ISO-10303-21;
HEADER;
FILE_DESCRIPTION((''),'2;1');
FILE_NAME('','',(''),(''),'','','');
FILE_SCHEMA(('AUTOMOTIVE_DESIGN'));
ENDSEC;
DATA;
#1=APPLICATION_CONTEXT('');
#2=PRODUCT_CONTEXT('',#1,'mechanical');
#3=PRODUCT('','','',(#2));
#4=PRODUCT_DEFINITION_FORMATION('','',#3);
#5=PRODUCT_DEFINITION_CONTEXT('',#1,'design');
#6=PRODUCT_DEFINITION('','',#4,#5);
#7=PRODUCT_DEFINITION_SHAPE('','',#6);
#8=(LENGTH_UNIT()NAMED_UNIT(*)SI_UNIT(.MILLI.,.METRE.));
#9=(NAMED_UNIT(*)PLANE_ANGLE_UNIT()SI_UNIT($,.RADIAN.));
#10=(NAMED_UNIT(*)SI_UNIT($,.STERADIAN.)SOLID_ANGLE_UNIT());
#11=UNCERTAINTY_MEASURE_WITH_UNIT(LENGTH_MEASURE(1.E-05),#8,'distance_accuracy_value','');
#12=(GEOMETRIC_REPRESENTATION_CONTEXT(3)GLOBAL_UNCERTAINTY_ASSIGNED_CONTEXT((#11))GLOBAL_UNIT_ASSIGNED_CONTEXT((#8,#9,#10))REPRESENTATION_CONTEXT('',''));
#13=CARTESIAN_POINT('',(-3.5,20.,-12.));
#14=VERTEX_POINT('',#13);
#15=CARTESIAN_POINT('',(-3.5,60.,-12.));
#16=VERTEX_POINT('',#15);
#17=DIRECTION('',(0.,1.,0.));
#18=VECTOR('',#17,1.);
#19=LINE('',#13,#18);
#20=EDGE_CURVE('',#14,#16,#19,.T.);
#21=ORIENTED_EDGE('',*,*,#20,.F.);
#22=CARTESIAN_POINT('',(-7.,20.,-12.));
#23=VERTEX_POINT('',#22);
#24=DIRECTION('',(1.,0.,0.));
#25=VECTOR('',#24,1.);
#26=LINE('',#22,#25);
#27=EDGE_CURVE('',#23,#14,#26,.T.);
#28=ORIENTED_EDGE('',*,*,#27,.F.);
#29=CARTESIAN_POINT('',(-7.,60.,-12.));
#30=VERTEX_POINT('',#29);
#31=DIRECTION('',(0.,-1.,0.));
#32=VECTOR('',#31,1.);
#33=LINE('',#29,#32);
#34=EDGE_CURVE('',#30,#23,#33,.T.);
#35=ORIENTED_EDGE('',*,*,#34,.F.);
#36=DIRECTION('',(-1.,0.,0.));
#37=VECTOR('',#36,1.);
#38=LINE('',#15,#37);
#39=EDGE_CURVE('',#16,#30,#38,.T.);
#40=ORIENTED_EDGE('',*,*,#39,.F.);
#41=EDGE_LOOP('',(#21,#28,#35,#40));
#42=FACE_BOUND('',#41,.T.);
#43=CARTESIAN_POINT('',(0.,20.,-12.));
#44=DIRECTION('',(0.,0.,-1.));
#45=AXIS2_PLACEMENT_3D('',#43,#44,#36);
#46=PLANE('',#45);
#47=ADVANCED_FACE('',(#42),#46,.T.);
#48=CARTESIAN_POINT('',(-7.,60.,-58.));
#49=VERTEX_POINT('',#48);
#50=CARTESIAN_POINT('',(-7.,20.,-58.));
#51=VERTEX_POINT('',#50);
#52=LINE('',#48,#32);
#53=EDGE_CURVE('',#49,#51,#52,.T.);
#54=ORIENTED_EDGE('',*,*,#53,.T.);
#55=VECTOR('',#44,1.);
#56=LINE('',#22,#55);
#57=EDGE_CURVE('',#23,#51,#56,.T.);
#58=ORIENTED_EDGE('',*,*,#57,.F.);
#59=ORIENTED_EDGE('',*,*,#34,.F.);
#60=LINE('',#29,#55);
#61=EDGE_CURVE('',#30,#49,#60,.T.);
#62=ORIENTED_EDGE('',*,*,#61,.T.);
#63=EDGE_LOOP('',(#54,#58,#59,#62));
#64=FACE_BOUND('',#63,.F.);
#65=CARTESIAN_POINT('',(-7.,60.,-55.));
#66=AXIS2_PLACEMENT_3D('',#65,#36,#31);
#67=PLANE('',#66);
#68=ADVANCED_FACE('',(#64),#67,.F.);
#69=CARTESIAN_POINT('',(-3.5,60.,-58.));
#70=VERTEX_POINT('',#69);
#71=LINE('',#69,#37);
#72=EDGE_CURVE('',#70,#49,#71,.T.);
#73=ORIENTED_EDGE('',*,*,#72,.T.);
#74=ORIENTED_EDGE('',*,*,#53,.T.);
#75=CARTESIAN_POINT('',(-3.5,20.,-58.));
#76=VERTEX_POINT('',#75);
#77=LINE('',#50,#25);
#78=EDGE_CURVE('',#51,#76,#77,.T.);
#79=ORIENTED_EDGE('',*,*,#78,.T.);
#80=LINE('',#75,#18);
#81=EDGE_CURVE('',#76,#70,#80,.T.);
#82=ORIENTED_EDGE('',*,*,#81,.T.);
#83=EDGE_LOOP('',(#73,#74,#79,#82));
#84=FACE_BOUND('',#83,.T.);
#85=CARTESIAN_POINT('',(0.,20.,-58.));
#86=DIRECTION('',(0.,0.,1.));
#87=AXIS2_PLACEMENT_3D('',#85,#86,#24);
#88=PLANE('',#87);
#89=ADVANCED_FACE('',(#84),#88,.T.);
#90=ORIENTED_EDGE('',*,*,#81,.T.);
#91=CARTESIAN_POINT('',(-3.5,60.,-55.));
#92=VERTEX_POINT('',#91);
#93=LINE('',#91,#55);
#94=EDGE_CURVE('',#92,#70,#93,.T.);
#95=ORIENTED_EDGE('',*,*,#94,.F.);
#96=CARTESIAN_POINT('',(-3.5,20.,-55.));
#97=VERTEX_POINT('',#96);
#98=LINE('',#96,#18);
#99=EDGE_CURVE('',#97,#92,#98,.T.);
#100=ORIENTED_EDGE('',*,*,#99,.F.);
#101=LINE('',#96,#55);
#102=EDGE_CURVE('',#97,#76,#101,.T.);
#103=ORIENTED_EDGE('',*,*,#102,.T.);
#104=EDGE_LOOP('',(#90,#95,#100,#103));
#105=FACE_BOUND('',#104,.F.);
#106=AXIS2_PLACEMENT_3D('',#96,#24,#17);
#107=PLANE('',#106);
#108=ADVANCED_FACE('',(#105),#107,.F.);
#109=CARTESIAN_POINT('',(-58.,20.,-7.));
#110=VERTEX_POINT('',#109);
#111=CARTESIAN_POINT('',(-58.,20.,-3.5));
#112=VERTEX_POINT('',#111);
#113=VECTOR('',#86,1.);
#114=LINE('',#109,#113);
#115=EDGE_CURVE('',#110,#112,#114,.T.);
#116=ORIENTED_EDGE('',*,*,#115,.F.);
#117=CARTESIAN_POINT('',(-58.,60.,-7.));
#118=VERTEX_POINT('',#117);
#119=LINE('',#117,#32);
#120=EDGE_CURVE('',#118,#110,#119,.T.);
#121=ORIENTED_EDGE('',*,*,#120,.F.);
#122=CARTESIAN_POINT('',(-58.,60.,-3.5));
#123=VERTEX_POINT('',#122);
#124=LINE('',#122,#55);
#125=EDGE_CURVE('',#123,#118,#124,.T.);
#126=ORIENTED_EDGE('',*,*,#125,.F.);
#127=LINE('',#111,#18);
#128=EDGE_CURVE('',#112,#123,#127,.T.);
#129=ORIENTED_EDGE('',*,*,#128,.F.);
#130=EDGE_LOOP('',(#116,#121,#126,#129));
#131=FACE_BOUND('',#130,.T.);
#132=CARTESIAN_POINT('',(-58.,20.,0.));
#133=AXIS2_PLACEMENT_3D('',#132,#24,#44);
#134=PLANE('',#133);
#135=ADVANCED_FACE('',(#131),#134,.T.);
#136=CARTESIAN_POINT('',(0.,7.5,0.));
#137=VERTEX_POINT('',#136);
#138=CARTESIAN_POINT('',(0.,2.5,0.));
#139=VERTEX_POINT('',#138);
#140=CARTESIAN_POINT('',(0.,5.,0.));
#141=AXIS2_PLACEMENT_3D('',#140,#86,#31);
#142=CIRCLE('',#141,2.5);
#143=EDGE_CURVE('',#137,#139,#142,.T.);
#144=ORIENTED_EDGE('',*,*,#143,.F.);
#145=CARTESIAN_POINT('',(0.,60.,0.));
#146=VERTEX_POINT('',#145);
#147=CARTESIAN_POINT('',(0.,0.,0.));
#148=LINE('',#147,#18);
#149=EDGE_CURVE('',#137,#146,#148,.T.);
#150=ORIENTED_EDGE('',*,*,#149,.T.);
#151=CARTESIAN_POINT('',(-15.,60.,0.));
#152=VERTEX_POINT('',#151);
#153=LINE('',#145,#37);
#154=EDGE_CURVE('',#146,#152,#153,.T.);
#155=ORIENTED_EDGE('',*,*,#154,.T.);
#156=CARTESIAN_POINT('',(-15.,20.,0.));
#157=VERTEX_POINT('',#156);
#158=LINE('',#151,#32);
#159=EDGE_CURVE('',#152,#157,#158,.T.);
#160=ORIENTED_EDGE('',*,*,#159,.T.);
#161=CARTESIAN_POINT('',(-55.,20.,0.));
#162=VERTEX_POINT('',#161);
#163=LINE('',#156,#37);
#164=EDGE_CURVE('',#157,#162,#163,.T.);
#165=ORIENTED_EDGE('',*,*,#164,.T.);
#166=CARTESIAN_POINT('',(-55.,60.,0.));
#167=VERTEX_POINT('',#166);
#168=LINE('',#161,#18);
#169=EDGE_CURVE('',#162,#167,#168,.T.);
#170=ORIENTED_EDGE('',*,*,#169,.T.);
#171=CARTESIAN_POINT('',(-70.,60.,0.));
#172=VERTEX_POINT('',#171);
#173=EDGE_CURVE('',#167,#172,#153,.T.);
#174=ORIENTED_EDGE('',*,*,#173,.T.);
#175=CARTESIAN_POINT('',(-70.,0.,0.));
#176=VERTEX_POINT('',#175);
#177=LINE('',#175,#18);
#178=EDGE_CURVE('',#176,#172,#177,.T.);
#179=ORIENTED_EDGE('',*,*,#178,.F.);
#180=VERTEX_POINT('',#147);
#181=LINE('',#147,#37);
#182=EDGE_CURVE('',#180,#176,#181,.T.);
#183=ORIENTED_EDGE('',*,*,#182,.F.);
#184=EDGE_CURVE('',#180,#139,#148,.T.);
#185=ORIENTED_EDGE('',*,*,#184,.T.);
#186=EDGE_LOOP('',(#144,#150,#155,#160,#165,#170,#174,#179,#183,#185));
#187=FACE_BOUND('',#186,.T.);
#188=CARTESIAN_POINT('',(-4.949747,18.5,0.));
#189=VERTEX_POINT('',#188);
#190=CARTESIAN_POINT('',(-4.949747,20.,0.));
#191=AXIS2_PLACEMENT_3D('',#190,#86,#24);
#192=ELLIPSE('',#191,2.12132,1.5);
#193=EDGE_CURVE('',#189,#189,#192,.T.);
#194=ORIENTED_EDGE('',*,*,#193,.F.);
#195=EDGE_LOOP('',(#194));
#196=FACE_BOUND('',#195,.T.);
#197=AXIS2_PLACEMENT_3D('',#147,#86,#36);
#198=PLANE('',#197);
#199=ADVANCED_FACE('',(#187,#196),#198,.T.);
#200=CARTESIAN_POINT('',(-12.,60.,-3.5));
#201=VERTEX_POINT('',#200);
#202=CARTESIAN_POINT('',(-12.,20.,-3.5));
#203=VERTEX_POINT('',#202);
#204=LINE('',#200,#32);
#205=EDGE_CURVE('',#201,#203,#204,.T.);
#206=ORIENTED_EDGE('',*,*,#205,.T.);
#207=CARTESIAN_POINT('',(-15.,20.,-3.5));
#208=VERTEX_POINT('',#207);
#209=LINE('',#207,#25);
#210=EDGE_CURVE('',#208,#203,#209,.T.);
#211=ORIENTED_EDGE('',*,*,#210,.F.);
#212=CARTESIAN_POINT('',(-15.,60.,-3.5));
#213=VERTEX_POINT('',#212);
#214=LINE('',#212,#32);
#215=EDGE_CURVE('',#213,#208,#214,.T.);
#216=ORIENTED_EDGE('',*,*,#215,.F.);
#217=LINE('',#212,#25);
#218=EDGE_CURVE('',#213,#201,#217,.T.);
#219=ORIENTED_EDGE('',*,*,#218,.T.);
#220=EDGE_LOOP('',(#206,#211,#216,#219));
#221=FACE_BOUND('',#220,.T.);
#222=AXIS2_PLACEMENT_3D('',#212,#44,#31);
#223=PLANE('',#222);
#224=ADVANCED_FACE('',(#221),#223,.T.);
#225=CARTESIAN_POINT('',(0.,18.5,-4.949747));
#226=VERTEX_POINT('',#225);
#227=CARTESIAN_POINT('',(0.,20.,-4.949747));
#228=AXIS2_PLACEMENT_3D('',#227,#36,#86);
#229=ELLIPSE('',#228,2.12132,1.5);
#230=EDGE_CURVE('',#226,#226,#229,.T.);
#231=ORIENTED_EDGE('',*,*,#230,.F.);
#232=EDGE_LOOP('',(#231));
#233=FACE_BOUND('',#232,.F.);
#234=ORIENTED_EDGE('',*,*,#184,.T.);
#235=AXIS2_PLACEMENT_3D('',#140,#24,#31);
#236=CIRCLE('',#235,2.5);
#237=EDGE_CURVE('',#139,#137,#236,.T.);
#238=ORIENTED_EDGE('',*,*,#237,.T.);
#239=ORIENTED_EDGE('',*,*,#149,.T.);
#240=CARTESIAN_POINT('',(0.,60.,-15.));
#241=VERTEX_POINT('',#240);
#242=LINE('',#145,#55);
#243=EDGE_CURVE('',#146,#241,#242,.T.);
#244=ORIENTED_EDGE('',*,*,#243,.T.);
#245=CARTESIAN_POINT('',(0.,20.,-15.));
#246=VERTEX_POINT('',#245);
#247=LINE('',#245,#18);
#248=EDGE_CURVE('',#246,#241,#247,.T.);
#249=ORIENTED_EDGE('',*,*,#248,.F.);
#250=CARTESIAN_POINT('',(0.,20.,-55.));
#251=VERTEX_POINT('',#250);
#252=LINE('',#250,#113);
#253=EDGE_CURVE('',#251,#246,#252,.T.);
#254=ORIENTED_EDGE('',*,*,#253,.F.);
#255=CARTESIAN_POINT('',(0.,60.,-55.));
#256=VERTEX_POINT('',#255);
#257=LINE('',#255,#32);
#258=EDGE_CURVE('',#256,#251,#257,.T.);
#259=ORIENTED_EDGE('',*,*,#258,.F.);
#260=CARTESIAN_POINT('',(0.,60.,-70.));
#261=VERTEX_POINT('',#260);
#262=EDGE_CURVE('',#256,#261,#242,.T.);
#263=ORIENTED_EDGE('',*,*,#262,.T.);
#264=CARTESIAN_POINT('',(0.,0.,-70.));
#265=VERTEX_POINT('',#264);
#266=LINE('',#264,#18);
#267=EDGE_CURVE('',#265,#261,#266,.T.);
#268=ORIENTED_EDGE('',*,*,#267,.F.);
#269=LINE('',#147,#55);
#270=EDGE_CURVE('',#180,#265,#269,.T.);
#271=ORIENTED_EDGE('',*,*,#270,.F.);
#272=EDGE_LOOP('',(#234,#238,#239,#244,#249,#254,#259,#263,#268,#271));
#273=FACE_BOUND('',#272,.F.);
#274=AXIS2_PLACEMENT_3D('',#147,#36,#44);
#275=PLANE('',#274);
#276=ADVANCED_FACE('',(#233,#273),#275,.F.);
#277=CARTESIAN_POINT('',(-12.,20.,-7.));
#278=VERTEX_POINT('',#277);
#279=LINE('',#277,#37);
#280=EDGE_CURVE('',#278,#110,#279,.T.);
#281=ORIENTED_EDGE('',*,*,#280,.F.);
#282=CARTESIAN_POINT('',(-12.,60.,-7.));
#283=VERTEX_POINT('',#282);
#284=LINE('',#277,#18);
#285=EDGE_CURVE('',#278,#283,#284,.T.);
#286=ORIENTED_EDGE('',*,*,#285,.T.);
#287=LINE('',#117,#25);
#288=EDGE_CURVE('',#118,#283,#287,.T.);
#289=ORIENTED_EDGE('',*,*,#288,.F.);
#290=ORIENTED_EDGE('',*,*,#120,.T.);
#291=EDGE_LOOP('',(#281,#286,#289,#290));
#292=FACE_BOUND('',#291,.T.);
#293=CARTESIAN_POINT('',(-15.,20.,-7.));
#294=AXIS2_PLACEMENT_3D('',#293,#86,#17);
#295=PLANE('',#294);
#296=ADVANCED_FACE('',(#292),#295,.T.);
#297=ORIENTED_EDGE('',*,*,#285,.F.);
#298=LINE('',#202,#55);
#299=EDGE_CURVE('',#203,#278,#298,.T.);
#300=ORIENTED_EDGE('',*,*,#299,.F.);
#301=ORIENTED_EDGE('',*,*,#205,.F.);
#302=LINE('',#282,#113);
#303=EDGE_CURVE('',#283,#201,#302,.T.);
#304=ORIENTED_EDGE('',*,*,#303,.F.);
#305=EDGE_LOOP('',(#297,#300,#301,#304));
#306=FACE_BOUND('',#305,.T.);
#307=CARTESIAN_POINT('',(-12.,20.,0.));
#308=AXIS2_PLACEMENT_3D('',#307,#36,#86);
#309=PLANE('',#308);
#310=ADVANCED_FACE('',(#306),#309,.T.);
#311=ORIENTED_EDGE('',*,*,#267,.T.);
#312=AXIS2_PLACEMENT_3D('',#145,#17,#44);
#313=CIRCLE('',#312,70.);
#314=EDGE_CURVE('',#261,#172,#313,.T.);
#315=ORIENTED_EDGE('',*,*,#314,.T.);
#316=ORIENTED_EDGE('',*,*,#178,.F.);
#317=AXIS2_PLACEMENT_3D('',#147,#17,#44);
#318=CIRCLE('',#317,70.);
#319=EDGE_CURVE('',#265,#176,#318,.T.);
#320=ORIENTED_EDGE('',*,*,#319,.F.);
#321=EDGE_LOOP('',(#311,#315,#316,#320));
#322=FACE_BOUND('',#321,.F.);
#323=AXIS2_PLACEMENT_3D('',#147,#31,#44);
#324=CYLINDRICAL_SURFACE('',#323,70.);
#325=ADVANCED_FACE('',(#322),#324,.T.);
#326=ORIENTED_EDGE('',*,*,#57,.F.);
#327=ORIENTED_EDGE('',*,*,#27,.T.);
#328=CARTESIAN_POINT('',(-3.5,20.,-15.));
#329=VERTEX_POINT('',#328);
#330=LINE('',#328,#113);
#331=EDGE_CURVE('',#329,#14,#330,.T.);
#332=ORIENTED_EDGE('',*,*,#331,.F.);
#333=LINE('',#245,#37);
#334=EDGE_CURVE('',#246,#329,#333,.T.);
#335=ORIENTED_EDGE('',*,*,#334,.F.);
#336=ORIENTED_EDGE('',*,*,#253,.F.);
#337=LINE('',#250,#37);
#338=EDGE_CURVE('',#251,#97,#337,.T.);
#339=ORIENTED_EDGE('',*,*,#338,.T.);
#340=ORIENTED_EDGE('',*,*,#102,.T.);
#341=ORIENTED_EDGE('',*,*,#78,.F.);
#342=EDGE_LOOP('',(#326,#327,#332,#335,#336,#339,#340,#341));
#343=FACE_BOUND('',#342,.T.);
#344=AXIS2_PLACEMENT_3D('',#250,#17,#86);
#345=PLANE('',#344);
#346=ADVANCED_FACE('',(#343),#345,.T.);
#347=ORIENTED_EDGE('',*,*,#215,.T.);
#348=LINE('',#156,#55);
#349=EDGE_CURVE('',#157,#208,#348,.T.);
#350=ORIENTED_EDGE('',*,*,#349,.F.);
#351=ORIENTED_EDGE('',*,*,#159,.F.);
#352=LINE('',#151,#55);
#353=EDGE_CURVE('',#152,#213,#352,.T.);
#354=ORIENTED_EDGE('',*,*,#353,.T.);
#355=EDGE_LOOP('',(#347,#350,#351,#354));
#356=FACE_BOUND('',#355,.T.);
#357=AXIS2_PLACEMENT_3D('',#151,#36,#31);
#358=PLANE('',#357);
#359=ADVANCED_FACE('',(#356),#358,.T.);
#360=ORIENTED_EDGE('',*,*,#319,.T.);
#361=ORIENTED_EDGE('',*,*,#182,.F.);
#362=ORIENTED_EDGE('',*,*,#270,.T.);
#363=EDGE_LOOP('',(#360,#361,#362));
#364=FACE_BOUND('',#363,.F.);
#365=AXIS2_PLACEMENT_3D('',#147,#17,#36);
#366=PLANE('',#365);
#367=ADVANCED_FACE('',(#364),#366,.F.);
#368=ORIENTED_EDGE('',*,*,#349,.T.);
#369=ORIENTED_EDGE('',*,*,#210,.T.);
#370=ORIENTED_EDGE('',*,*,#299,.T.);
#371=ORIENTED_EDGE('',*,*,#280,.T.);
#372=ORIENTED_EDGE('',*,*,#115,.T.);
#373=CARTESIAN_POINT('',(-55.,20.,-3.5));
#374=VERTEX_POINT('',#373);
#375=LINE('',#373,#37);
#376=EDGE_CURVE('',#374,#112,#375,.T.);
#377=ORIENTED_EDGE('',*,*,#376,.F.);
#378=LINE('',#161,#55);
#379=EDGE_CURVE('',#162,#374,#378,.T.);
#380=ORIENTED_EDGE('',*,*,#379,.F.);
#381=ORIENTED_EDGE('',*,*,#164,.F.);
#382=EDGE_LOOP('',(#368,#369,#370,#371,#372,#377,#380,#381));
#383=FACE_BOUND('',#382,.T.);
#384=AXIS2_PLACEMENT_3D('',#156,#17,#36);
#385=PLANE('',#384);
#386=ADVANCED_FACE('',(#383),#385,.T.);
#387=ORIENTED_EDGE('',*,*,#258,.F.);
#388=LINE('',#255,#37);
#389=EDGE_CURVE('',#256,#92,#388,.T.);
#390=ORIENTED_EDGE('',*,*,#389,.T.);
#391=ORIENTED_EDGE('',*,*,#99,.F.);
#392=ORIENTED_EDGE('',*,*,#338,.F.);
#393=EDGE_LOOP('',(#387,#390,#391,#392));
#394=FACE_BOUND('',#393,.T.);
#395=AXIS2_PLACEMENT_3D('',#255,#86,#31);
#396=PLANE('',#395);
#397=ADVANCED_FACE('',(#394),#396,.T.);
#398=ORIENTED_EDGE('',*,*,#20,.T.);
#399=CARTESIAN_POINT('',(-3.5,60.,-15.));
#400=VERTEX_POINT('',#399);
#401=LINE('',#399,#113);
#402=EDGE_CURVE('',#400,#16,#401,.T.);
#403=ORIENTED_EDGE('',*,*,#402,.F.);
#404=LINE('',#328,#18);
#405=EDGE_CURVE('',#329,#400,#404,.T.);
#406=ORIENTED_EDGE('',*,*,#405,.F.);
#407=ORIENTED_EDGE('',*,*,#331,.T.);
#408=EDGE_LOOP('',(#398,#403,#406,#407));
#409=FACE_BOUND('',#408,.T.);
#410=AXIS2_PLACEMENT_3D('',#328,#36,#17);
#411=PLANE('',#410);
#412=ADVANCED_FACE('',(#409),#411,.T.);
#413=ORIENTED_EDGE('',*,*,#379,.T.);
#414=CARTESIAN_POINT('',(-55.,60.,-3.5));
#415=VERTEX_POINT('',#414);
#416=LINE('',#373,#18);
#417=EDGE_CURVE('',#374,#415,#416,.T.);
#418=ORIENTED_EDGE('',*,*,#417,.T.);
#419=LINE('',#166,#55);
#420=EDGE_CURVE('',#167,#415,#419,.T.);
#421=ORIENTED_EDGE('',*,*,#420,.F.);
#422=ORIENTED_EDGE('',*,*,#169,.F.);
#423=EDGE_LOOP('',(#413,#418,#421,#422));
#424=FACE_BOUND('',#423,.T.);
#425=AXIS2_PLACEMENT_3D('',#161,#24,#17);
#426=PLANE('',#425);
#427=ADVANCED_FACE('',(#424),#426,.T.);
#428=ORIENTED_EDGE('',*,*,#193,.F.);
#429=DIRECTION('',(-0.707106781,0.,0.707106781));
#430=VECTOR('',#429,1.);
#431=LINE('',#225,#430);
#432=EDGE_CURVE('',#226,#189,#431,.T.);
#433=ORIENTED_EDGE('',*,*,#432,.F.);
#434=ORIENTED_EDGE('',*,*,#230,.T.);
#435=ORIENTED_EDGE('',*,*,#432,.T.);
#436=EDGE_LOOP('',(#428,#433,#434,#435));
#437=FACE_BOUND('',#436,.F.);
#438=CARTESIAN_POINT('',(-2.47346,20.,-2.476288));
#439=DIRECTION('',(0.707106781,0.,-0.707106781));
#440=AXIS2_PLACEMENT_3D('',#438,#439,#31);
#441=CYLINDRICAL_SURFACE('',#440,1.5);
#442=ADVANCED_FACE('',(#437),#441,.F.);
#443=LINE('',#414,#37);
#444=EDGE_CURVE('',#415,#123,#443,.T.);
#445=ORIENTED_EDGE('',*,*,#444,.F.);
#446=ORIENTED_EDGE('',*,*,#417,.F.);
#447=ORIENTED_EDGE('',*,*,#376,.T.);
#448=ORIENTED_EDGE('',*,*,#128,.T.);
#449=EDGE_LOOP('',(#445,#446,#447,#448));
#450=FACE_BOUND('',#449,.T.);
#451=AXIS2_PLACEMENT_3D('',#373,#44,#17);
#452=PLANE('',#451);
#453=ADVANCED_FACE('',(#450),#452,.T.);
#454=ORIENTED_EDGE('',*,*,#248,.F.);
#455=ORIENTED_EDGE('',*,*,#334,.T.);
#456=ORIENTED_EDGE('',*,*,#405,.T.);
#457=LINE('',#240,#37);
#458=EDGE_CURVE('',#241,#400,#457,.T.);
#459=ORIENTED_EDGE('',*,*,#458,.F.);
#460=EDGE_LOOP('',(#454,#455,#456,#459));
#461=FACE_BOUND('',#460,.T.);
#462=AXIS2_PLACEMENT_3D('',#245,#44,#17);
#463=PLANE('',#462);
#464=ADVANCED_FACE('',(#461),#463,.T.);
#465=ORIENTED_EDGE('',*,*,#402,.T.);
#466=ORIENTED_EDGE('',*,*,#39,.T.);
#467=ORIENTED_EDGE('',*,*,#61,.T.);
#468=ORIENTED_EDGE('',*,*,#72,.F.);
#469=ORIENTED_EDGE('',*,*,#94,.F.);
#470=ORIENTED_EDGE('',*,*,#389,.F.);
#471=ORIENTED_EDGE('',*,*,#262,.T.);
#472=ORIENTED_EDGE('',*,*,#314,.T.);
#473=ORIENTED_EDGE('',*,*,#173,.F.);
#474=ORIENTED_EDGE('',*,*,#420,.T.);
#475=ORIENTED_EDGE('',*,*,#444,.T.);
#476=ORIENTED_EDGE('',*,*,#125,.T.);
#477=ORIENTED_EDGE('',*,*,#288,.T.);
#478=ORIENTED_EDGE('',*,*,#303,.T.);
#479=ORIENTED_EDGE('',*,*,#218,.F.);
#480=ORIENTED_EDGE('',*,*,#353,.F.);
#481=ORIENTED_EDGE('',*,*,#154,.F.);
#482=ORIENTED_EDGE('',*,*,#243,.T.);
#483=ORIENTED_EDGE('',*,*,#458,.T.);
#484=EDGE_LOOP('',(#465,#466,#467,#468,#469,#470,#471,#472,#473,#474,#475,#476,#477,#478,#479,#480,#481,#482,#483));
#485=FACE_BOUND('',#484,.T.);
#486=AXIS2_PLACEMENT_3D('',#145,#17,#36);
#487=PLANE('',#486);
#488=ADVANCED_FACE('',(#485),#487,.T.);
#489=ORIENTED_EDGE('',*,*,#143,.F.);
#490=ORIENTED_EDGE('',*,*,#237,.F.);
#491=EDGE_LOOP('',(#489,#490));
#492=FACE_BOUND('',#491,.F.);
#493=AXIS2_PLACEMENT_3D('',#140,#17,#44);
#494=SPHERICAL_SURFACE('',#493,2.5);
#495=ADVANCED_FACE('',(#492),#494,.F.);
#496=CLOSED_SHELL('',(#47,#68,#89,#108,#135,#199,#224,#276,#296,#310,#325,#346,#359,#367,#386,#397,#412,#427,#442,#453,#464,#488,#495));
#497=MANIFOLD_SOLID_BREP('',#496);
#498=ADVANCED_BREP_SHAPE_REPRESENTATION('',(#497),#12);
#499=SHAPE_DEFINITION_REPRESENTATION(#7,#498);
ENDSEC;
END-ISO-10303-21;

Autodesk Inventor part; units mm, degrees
ref_plane "YZ Plane" through (0, 0, 0) normal (1, 0, 0) x (0, 1, 0)
ref_plane "XZ Plane" through (0, 0, 0) normal (0, 1, 0) x (-1, 0, 0)
ref_plane "XY Plane" through (0, 0, 0) normal (0, 0, 1) x (1, 0, 0)
sketch "Sketch1" plane through (0, 0, 0) normal (0, 1, 0) x (-1, 0, 0)
  line L0 (0, 0) -> (70, 0)
  line L1 (0, 0) -> (0, -70)
  arc A0 (0, -70) -> (70, 0) centre (0, 0) ccw
  dimension "d0" = 70
  dimension "d1" = 70
  dimension "d3" = 70
extrude "Extrusion1" add sketch "Sketch1" along normal blind 60
sketch "Sketch2" plane through (0, 0, 0) normal (1, 0, 0) x (0, 0, -1)
  line L0 (15, 60) -> (55, 60)
  line L1 (55, 60) -> (55, 20)
  line L2 (55, 20) -> (15, 20)
  line L3 (15, 20) -> (15, 60)
  line L4 (0, 60) -> (70, 60) projected
  line L5 (0, 0) -> (0, 60) projected
  dimension "d8" = 40
  dimension "d9" = 40
  dimension "d10" = 15
extrude "Extrusion2" cut sketch "Sketch2" against normal blind 7
sketch "Sketch3" plane through (-70, 0, 0) normal (0, 0, 1) x (1, 0, 0)
  line L0 (15, 60) -> (55, 60)
  line L1 (55, 60) -> (55, 20)
  line L2 (55, 20) -> (15, 20)
  line L3 (15, 20) -> (15, 60)
  line L4 (0, 60) -> (70, 60) projected
  line L5 (0, 0) -> (0, 60) projected
  point P0 (70, 0)
  point P1 (35, 20)
  point P2 (35, 60)
  dimension "d11" = 40
  dimension "d13" = 40
  dimension "d31" = 15
extrude "Extrusion3" cut sketch "Sketch3" against normal blind 7
sketch "Sketch4" plane through (0, 20, -55) normal (0, 0, 1) x (1, 0, 0)
  line L0 (-3.5, 40) -> (-7, 40)
  line L1 (-7, 40) -> (-7, 0)
  line L2 (-7, 0) -> (-3.5, 0)
  line L3 (-3.5, 0) -> (-3.5, 40)
  line L4 (0, 40) -> (0, 0) projected
  line L5 (-7, 40) -> (0, 40) projected
  line L6 (0, 0) -> (-7, 0) projected
  line L7 (-7, 40) -> (-7, 0) projected
  point P0 (0, -20)
  dimension "d16" = 3.5
extrude "Extrusion4" cut sketch "Sketch4" against normal blind 3 contours L3 L2 L1 L0
sketch "Sketch5" plane through (0, 20, -15) normal (0, 0, -1) x (-1, 0, 0)
  line L0 (3.5, 40) -> (7, 40)
  line L1 (7, 0) -> (3.5, 0)
  line L2 (3.5, 0) -> (3.5, 40)
  line L3 (3.5, 40) -> (7, 40)
  line L4 (7, 40) -> (7, 0)
  line L5 (0, 0) -> (7, 0) projected
  line L6 (7, 0) -> (7, 40) projected
  point P0 (0, -20)
  dimension "d4" = 60
  dimension "d19" = 3.5
extrude "Extrusion5" cut sketch "Sketch5" against normal blind 3
sketch "Sketch8" plane through (-15, 20, 0) normal (-1, 0, 0) x (0, 0, 1)
  line L0 (-7, 40) -> (-3.5, 40)
  line L1 (-3.5, 40) -> (-3.5, 0)
  line L2 (-3.5, 0) -> (-7, 0)
  line L3 (-7, 0) -> (-7, 40)
  line L4 (-7, 40) -> (0, 40) projected
  line L5 (-7, 40) -> (-7, 0) projected
  line L6 (0, 0) -> (-7, 0) projected
  point P0 (0, -20)
  dimension "d28" = 3.5
extrude "Extrusion8" cut sketch "Sketch8" against normal blind 3
sketch "Sketch9" plane through (-55, 20, 0) normal (1, 0, 0) x (0, 0, -1)
  line L0 (3.5, 40) -> (7, 40)
  line L1 (7, 40) -> (7, 0)
  line L2 (7, 0) -> (3.5, 0)
  line L3 (3.5, 0) -> (3.5, 40)
  line L4 (0, 40) -> (7, 40) projected
  line L5 (7, 0) -> (7, 40) projected
  line L6 (0, 0) -> (7, 0) projected
  point P0 (0, -20)
  dimension "d32" = 3.5
extrude "Extrusion9" cut sketch "Sketch9" against normal blind 3
sketch "Sketch10" plane through (0, 0, 0) normal (1, 0, 0) x (0, 0, -1)
  line L0 (0, 0) -> (0, 60) projected
  arc A0 (0, 2.5) -> (0, 7.5) centre (0, 5) ccw
  line L1 (70, 0) -> (0, 0) projected
  line L2 (0, 7.5) -> (0, 2.5)
  dimension "d35" = 5
  dimension "d36" = 5
revolve "Revolution1" cut sketch "Sketch10" angle 360 about axis through (0, 0, 0) along (0, 1, 0)
ref_plane "Work Plane1" through (0, 60, 0) normal (0.7071, 0, -0.7071) x (0, -1, 0)
sketch "Sketch11" plane through (0, 60, 0) normal (0.7071, 0, -0.7071) x (0, -1, 0)
  circle A0 centre (40, 3.5) radius 1.5
  line L0 (52.5, 0) -> (0, 0) projected
  line L1 (60, 49.4975) -> (60, 0) projected
  dimension "d38" = 3
  dimension "d41" = 3.5
  dimension "d42" = 20
extrude "Extrusion10" cut sketch "Sketch11" along normal mid plane 10
properties part number "Ecke"
